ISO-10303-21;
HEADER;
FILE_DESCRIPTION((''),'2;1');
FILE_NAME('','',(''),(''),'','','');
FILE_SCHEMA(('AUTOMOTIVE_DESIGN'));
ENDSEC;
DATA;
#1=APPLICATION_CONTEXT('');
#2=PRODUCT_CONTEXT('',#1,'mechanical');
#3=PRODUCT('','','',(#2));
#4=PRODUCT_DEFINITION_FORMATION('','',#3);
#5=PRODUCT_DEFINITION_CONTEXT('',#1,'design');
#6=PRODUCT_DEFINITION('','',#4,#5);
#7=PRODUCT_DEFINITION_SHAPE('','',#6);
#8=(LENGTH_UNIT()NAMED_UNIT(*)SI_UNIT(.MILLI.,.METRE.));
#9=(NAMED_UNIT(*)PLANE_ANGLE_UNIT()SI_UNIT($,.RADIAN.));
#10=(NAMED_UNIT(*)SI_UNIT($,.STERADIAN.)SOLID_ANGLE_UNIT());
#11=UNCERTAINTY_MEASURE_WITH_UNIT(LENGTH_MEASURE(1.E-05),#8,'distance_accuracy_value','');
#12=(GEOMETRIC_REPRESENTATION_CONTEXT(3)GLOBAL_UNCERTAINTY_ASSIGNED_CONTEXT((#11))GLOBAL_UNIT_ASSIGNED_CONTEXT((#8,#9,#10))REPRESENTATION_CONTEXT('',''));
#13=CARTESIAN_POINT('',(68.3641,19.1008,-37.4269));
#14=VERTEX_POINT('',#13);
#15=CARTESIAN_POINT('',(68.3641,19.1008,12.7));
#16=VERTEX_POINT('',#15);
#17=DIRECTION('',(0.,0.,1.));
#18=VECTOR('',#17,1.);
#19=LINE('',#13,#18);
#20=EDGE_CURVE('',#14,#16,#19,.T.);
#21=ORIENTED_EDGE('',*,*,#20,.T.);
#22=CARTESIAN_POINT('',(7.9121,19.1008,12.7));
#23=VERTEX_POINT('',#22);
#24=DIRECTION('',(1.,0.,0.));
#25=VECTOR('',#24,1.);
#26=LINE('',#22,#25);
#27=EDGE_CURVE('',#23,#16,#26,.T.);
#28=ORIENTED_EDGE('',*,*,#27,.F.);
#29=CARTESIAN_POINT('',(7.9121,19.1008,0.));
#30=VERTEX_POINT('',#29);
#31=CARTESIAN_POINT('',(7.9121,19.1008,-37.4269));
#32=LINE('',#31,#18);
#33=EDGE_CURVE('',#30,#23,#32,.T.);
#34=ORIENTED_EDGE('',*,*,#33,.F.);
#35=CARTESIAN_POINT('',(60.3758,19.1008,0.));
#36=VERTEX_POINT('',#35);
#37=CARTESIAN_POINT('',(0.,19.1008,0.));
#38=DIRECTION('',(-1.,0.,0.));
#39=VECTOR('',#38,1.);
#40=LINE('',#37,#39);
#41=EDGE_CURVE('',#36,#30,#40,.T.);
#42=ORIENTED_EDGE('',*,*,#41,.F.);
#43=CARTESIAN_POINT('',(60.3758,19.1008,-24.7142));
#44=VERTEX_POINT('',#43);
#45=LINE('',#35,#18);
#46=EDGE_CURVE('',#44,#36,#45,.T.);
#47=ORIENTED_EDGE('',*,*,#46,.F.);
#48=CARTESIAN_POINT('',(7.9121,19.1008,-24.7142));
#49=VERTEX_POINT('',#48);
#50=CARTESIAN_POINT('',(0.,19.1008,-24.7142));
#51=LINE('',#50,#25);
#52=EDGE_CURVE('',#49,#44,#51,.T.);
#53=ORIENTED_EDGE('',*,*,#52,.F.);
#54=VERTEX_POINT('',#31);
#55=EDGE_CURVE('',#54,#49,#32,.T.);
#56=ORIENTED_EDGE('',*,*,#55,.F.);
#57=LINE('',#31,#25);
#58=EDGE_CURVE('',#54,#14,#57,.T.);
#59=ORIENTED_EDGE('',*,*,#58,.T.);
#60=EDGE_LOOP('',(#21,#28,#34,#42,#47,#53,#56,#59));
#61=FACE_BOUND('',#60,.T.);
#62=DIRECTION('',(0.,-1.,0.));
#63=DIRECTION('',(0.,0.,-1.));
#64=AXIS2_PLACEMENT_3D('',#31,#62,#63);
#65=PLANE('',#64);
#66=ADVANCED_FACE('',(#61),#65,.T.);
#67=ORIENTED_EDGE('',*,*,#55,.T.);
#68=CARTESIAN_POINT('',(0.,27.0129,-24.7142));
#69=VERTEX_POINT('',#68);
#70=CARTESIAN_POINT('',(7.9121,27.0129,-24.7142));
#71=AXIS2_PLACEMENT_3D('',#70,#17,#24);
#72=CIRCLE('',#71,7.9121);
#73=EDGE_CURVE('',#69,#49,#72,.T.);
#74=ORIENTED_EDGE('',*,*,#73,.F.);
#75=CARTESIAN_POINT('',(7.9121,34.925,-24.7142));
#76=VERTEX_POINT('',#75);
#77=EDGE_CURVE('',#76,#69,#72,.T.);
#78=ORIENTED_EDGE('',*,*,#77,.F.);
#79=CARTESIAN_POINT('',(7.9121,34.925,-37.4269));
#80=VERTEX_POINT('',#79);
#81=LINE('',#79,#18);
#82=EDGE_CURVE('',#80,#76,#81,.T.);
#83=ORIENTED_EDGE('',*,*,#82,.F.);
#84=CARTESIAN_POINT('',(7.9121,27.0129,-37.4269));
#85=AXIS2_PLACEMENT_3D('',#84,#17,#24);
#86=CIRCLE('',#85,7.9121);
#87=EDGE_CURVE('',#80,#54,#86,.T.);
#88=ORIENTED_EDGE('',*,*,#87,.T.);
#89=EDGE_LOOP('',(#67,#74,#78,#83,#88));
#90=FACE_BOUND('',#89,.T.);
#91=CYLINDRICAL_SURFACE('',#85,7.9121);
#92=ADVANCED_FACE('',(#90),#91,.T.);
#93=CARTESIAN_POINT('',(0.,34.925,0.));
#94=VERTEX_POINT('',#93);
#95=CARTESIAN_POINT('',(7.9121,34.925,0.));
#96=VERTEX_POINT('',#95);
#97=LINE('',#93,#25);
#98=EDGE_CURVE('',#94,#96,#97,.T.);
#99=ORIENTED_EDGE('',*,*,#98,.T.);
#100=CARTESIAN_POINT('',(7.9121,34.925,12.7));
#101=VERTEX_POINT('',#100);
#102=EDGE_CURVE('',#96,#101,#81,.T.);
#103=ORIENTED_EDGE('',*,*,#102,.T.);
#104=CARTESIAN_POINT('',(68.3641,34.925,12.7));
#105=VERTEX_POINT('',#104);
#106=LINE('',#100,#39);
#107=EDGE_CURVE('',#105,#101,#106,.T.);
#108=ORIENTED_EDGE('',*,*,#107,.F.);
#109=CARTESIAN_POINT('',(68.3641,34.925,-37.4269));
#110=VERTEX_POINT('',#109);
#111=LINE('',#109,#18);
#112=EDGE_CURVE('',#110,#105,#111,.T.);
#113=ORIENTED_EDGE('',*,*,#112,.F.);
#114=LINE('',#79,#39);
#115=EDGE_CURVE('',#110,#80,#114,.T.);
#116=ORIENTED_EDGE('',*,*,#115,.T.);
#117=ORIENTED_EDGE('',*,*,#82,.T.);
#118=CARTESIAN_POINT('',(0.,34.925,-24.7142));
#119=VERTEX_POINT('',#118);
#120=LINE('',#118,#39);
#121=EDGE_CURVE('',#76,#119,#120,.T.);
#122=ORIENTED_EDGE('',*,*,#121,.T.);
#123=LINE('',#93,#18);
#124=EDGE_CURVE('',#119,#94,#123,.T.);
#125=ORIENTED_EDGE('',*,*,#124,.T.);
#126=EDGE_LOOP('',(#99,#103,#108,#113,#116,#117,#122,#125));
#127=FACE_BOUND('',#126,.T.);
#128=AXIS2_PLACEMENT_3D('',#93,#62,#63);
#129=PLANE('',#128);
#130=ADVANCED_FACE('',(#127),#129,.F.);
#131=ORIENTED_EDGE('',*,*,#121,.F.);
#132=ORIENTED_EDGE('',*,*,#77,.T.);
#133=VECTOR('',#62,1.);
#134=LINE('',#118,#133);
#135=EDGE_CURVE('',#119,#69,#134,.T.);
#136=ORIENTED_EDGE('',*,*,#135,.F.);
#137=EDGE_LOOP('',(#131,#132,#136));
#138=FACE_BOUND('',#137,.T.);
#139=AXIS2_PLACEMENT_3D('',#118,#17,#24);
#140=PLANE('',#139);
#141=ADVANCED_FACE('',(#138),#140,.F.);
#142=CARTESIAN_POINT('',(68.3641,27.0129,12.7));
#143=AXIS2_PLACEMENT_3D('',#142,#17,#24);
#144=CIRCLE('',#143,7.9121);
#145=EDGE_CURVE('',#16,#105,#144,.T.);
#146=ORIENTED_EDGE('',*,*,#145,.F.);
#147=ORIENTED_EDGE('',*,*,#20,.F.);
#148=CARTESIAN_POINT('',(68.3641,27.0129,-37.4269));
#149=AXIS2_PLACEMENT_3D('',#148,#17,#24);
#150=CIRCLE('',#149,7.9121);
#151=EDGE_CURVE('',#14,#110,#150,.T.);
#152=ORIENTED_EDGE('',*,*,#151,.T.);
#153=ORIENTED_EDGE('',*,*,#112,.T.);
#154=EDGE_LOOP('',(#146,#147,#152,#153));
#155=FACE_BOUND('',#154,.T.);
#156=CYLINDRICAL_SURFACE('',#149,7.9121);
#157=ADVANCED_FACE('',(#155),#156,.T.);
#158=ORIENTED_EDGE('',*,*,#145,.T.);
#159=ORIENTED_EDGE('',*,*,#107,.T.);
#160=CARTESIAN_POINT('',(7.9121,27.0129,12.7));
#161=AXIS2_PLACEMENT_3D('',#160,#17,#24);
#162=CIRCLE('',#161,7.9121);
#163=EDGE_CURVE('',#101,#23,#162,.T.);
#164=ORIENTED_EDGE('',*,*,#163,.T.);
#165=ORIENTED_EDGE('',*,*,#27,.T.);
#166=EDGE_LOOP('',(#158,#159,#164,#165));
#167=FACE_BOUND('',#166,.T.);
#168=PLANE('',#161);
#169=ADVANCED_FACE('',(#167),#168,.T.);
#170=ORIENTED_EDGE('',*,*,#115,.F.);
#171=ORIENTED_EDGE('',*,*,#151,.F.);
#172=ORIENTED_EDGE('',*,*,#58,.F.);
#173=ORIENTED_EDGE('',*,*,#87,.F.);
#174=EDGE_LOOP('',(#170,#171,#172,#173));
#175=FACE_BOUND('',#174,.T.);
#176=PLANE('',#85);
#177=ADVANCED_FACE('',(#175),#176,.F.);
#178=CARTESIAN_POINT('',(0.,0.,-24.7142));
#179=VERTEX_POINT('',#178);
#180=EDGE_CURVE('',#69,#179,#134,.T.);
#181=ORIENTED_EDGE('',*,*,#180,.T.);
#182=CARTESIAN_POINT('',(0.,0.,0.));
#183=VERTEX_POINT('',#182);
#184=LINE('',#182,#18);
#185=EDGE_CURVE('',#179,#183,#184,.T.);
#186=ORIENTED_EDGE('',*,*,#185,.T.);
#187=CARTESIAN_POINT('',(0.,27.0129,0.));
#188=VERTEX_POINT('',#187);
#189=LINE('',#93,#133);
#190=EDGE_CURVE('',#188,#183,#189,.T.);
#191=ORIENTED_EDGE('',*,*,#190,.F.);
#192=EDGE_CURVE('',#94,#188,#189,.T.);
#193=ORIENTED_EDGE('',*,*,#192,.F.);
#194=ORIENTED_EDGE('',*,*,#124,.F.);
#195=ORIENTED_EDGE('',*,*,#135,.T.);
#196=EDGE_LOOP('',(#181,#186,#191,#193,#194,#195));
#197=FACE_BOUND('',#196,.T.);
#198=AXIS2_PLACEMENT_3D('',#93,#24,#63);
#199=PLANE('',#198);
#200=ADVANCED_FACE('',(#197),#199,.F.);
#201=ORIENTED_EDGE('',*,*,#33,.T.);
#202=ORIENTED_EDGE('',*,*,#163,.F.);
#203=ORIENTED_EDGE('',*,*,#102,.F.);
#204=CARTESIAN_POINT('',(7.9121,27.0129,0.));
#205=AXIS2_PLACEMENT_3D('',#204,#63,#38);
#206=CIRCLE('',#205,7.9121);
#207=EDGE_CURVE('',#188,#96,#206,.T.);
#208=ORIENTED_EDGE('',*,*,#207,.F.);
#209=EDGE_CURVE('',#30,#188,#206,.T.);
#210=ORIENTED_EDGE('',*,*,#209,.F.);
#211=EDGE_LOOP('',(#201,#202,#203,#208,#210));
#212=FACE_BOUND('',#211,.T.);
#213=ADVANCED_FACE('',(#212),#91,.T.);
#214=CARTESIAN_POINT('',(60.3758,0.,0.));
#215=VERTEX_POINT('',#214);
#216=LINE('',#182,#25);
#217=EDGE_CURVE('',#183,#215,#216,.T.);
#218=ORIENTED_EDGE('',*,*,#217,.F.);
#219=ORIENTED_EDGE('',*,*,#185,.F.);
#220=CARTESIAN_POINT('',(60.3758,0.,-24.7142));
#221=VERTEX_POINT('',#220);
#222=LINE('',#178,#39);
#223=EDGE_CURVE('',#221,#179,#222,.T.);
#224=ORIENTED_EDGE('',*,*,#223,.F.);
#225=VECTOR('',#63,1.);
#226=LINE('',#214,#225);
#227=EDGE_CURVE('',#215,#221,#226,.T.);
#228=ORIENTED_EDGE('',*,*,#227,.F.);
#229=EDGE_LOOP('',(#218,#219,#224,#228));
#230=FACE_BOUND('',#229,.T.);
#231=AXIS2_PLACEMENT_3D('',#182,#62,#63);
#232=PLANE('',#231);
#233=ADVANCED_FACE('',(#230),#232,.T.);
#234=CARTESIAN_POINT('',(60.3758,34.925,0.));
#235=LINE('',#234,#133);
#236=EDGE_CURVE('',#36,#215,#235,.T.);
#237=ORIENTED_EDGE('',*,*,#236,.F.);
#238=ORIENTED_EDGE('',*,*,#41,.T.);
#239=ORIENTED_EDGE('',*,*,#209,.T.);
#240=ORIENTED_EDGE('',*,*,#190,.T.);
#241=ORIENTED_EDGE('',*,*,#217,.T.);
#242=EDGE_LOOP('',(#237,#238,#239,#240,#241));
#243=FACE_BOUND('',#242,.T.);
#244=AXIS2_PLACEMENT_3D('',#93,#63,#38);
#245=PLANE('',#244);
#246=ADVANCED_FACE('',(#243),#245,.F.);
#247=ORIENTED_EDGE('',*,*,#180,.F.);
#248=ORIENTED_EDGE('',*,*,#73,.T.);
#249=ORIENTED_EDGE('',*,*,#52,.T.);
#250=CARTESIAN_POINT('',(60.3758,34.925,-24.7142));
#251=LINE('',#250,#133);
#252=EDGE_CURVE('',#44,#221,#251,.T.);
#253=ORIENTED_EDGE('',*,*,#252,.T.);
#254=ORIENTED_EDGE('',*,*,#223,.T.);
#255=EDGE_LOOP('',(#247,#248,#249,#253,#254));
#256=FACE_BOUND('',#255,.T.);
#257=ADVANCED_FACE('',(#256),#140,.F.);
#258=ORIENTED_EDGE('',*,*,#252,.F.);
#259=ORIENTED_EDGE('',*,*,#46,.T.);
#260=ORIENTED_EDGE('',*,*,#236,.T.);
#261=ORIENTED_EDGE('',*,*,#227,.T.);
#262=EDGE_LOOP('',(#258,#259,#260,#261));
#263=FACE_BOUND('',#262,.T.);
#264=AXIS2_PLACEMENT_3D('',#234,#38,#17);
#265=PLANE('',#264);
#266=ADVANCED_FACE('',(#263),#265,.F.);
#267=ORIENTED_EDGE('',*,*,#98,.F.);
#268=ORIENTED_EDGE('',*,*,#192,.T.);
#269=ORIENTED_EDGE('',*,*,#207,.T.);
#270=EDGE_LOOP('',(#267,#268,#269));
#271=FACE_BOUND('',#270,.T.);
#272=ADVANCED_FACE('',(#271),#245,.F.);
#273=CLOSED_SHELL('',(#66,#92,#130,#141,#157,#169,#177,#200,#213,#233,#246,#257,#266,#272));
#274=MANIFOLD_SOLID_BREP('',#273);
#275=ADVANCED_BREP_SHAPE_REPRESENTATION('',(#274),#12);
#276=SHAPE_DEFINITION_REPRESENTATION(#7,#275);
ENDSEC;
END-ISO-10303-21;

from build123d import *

# Parameters (mm, degrees)
SKETCH1_W                = 60.3758
SKETCH1_H                = 24.7142
BOSS_EXTRUDE1_DEPTH      = 34.925
BOSS_EXTRUDE2_DEPTH      = 12.7
BOSS_EXTRUDE2_DEPTH_BACK = 37.4269


with BuildPart() as part:
    # Sketch1 → Boss-Extrude1 (new body)
    with BuildSketch(Plane(origin=(0, 0, 0), x_dir=(1, 0, 0), z_dir=(0, 1, 0))):
        with Locations((30.1879, 12.3571)):
            Rectangle(SKETCH1_W, SKETCH1_H)
    extrude(amount=BOSS_EXTRUDE1_DEPTH)

    # Sketch2 → Boss-Extrude2 (add, two sides)
    with BuildSketch(Plane.XY) as boss_extrude2_sk:
        with BuildLine():
            Line((7.9121, 34.925), (68.3641, 34.925))
            ThreePointArc((68.3641, 34.925), (76.2762, 27.0129), (68.3641, 19.1008))
            Line((68.3641, 19.1008), (7.9121, 19.1008))
            ThreePointArc((7.9121, 19.1008), (0, 27.0129), (7.9121, 34.925))
        make_face()
    extrude(amount=BOSS_EXTRUDE2_DEPTH)
    extrude(boss_extrude2_sk.sketch, amount=-BOSS_EXTRUDE2_DEPTH_BACK)


solid = part.part
